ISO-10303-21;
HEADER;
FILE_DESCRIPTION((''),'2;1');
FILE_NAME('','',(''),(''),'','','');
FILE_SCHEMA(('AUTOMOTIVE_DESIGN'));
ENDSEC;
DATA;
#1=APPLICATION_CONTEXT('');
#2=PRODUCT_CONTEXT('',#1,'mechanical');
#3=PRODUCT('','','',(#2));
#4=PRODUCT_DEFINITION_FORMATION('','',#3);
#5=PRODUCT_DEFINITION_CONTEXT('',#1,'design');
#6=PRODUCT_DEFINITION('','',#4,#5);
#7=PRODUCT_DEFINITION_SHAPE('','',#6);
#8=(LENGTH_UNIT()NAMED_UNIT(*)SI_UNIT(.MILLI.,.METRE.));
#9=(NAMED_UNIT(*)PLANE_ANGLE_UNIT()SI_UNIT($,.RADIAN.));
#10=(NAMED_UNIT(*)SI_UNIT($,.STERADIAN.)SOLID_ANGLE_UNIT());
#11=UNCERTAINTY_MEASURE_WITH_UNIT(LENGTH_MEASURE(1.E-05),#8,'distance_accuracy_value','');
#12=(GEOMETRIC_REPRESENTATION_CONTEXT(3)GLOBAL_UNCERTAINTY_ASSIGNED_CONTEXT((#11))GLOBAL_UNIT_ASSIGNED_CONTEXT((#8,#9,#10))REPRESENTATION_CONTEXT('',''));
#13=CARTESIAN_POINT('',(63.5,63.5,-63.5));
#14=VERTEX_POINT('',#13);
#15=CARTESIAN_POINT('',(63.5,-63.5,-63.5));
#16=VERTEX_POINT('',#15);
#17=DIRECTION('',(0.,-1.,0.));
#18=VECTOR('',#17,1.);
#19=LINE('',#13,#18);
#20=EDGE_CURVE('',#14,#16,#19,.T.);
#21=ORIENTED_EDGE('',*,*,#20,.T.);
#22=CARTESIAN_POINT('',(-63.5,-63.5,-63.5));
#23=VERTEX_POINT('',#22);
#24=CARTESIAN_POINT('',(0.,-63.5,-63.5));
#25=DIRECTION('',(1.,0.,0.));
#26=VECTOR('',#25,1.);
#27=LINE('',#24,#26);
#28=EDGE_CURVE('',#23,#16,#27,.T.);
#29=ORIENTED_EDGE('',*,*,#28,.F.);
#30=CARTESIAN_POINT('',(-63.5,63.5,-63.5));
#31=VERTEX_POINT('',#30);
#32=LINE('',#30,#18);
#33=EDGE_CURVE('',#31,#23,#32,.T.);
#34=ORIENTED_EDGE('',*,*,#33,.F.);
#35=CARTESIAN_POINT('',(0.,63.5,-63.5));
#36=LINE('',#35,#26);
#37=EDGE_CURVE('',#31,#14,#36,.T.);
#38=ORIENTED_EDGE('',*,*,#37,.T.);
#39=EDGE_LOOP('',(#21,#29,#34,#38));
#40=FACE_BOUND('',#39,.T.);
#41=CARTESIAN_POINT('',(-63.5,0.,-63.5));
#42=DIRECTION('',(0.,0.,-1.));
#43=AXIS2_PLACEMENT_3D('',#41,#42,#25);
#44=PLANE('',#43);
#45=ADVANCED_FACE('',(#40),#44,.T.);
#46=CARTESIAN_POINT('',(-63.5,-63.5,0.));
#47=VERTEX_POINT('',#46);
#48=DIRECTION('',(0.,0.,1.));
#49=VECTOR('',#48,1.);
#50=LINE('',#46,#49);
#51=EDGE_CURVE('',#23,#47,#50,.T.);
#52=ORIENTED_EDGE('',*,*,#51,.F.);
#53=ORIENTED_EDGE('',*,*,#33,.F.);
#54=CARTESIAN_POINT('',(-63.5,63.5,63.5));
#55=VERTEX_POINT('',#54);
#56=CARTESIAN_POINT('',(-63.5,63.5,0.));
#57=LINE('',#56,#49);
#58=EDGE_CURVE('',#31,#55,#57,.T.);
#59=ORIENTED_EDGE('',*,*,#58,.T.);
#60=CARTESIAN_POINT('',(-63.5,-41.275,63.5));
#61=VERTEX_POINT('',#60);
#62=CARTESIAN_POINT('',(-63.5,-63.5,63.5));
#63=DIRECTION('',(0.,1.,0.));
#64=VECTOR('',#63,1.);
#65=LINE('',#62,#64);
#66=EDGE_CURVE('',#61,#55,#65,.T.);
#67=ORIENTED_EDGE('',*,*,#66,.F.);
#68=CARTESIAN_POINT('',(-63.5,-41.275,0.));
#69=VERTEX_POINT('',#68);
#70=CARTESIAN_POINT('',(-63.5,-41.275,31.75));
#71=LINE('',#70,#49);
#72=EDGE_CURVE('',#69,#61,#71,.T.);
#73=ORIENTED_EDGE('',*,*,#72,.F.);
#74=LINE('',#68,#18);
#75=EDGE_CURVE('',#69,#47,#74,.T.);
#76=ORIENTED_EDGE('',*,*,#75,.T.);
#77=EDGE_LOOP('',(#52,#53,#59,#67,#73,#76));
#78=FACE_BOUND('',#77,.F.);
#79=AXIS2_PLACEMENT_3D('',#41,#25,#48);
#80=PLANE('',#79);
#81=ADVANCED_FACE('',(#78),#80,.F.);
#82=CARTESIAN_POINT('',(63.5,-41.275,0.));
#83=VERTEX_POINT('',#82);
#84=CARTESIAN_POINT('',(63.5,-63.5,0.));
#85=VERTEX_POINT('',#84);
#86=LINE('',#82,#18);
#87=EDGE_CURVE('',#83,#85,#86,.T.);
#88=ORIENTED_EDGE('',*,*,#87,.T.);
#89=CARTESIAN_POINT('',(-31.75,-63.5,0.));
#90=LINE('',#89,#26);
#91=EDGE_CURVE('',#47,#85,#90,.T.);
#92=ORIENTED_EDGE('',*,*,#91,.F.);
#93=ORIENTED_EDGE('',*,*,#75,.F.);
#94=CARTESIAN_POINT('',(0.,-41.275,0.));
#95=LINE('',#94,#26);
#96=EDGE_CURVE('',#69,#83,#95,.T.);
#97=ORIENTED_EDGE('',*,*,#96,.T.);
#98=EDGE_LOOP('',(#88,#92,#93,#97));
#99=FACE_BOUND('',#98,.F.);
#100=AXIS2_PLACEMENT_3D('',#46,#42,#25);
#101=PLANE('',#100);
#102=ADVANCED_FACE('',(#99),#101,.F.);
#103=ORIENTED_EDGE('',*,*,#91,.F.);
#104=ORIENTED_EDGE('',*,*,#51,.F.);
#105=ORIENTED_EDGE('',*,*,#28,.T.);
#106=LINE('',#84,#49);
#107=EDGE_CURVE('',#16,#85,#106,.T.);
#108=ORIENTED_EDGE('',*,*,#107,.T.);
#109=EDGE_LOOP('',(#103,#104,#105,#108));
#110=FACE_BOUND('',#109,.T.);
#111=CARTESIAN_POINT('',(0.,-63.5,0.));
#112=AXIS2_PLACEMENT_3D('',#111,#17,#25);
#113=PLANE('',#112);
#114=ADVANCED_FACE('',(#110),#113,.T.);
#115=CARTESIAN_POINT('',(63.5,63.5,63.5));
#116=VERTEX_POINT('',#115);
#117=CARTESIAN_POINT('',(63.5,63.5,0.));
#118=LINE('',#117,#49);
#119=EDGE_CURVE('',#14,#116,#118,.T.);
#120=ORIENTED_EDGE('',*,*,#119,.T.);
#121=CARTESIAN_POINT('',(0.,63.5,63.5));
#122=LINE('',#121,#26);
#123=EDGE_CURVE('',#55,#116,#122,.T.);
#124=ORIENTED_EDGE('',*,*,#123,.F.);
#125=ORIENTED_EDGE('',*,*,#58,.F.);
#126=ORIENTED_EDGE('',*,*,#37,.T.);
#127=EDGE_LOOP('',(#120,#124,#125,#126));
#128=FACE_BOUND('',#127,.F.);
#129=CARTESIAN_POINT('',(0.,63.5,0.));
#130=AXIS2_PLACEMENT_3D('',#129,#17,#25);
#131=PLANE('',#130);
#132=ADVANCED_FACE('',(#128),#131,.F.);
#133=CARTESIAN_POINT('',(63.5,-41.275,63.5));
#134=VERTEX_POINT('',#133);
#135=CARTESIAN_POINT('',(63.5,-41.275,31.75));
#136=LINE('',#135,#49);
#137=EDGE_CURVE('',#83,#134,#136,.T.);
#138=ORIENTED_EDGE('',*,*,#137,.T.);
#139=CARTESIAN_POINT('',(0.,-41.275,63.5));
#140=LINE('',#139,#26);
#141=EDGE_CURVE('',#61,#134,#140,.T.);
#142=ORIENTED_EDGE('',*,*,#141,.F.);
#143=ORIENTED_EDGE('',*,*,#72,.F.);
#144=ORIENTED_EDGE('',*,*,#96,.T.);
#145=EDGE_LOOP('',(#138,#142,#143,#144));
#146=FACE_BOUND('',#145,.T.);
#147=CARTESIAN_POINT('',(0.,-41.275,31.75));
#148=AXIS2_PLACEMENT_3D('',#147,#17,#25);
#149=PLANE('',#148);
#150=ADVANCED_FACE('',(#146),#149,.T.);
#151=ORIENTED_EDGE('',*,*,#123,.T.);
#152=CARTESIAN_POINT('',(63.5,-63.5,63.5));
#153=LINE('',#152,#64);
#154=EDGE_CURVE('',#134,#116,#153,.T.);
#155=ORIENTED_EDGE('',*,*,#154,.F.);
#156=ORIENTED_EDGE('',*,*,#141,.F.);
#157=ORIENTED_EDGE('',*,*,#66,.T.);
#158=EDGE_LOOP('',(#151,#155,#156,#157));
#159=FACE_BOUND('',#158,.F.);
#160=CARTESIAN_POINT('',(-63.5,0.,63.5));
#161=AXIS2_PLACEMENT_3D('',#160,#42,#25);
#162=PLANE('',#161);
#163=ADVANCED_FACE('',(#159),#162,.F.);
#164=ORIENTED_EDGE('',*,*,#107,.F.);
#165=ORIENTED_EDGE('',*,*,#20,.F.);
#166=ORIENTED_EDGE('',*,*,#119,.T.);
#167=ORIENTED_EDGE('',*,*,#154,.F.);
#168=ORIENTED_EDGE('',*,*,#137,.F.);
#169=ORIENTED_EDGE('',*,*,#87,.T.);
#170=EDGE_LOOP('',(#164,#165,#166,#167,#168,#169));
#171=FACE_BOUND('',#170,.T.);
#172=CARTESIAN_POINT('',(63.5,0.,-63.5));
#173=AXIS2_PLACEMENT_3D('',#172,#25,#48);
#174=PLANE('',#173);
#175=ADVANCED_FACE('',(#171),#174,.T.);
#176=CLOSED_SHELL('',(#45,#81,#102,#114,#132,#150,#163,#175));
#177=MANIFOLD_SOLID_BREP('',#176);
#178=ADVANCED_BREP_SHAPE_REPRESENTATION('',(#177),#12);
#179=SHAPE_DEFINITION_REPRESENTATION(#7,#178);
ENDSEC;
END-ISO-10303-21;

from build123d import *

# Parameters (mm, degrees)
F0_W          = 127
F0_H          = 127
F1_DEPTH      = 63.5
F1_DEPTH_BACK = 63.5
F2_W          = 127
F2_H          = 63.5
F3_DEPTH      = 22.225


with BuildPart() as f1:
    # F0 (on Front) → F1 (new body, two sides)
    with BuildSketch(Plane.XZ) as f1_sk:
        Rectangle(F0_W, F0_H)
    extrude(amount=F1_DEPTH)
    extrude(f1_sk.sketch, amount=-F1_DEPTH_BACK)

    # F2 (on face) → F3 (cut, symmetric)
    with BuildSketch(Plane.XZ.offset(63.5)):
        with Locations((0, 31.75)):
            Rectangle(F2_W, F2_H)
    extrude(amount=F3_DEPTH, both=True, mode=Mode.SUBTRACT)


solid = f1.part
